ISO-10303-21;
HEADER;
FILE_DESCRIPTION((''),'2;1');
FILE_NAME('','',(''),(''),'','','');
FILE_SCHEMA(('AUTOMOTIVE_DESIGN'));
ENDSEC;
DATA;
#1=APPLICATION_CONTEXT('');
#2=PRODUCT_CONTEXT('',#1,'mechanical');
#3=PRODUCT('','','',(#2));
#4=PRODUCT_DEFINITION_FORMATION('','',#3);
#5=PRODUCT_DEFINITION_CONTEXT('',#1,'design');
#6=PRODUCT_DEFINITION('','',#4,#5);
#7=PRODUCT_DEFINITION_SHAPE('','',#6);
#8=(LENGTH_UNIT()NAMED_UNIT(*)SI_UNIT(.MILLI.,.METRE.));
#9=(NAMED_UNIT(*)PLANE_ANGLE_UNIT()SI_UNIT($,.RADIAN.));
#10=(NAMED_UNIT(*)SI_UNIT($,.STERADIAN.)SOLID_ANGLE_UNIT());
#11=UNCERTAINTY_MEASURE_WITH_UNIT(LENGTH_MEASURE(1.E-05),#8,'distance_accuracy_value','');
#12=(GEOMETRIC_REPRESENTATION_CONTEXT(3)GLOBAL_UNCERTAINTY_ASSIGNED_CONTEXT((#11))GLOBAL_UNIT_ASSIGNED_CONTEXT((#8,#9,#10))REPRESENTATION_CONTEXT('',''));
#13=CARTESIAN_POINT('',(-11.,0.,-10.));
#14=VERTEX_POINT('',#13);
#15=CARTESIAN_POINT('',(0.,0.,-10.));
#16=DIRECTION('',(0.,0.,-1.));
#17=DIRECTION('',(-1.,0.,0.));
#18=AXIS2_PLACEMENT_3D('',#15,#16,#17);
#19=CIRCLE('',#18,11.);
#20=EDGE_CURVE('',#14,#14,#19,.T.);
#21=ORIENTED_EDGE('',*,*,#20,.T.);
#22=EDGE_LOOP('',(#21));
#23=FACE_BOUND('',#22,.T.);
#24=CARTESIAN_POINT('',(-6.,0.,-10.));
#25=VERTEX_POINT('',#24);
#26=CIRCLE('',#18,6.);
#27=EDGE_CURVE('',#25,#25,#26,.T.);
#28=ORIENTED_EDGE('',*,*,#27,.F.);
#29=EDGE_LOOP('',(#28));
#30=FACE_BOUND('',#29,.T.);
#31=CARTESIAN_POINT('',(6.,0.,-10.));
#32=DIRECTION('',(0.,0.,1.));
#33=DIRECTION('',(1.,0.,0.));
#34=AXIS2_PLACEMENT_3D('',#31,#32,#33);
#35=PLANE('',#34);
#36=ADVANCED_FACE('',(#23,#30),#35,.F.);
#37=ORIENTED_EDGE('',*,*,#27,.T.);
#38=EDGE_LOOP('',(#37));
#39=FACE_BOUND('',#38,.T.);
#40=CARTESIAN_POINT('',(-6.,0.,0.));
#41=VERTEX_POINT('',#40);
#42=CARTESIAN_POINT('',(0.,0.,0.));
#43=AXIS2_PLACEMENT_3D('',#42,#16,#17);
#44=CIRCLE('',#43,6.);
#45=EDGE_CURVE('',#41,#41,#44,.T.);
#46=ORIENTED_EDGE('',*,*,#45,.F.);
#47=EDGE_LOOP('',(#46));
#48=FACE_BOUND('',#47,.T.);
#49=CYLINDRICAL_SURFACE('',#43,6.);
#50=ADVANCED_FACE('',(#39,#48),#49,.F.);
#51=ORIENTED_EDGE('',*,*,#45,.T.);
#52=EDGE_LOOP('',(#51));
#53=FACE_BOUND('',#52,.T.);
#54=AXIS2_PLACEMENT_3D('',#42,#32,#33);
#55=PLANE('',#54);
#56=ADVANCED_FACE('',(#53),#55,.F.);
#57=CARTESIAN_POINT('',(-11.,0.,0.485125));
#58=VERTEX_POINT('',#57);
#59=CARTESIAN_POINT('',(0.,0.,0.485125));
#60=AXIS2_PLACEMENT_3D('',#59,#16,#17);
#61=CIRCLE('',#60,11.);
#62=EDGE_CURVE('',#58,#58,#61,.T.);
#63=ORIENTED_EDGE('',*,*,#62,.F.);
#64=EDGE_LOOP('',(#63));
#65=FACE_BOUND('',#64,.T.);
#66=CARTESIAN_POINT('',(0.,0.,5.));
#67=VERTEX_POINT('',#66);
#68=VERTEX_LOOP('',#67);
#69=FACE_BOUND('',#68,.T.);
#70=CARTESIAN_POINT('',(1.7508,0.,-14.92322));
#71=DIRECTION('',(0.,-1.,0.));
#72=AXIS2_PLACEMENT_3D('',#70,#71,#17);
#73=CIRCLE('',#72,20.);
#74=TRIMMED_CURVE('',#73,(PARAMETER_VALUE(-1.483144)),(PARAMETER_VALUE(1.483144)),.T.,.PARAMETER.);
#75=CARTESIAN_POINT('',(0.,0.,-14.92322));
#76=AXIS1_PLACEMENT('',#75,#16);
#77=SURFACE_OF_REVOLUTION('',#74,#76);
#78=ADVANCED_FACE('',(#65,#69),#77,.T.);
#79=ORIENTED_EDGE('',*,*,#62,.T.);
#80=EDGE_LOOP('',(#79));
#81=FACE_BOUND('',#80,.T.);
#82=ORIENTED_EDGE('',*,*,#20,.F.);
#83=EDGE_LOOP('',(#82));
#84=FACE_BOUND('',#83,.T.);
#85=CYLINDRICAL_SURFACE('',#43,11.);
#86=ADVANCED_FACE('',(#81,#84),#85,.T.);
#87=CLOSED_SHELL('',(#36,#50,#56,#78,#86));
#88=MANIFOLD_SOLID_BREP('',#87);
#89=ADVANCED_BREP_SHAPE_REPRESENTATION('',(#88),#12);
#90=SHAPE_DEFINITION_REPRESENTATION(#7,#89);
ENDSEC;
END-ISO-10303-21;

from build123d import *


with BuildPart() as part:
    # Sketch1 → Revolve1 (revolve)
    with BuildSketch(Plane(origin=(0, 0, 0), x_dir=(1, 0, 0), z_dir=(0, 1, 0)), mode=Mode.PRIVATE) as revolve1_sk:
        with BuildLine():
            Line((0, 0), (6, 0))
            Line((6, 0), (6, 10))
            Line((6, 10), (11, 10))
            Line((11, 10), (11, -0.485124968))
            ThreePointArc((11, -0.485124968), (5.843284852, -3.578938539), (0, -5))
            Line((0, -5), (0, 0))
        make_face()
    revolve(revolve1_sk.sketch.rotate(Axis((0, 0, 0), (0, 0, 1)), 180), axis=Axis((0, 0, 0), (0, 0, 1)))


solid = part.part
